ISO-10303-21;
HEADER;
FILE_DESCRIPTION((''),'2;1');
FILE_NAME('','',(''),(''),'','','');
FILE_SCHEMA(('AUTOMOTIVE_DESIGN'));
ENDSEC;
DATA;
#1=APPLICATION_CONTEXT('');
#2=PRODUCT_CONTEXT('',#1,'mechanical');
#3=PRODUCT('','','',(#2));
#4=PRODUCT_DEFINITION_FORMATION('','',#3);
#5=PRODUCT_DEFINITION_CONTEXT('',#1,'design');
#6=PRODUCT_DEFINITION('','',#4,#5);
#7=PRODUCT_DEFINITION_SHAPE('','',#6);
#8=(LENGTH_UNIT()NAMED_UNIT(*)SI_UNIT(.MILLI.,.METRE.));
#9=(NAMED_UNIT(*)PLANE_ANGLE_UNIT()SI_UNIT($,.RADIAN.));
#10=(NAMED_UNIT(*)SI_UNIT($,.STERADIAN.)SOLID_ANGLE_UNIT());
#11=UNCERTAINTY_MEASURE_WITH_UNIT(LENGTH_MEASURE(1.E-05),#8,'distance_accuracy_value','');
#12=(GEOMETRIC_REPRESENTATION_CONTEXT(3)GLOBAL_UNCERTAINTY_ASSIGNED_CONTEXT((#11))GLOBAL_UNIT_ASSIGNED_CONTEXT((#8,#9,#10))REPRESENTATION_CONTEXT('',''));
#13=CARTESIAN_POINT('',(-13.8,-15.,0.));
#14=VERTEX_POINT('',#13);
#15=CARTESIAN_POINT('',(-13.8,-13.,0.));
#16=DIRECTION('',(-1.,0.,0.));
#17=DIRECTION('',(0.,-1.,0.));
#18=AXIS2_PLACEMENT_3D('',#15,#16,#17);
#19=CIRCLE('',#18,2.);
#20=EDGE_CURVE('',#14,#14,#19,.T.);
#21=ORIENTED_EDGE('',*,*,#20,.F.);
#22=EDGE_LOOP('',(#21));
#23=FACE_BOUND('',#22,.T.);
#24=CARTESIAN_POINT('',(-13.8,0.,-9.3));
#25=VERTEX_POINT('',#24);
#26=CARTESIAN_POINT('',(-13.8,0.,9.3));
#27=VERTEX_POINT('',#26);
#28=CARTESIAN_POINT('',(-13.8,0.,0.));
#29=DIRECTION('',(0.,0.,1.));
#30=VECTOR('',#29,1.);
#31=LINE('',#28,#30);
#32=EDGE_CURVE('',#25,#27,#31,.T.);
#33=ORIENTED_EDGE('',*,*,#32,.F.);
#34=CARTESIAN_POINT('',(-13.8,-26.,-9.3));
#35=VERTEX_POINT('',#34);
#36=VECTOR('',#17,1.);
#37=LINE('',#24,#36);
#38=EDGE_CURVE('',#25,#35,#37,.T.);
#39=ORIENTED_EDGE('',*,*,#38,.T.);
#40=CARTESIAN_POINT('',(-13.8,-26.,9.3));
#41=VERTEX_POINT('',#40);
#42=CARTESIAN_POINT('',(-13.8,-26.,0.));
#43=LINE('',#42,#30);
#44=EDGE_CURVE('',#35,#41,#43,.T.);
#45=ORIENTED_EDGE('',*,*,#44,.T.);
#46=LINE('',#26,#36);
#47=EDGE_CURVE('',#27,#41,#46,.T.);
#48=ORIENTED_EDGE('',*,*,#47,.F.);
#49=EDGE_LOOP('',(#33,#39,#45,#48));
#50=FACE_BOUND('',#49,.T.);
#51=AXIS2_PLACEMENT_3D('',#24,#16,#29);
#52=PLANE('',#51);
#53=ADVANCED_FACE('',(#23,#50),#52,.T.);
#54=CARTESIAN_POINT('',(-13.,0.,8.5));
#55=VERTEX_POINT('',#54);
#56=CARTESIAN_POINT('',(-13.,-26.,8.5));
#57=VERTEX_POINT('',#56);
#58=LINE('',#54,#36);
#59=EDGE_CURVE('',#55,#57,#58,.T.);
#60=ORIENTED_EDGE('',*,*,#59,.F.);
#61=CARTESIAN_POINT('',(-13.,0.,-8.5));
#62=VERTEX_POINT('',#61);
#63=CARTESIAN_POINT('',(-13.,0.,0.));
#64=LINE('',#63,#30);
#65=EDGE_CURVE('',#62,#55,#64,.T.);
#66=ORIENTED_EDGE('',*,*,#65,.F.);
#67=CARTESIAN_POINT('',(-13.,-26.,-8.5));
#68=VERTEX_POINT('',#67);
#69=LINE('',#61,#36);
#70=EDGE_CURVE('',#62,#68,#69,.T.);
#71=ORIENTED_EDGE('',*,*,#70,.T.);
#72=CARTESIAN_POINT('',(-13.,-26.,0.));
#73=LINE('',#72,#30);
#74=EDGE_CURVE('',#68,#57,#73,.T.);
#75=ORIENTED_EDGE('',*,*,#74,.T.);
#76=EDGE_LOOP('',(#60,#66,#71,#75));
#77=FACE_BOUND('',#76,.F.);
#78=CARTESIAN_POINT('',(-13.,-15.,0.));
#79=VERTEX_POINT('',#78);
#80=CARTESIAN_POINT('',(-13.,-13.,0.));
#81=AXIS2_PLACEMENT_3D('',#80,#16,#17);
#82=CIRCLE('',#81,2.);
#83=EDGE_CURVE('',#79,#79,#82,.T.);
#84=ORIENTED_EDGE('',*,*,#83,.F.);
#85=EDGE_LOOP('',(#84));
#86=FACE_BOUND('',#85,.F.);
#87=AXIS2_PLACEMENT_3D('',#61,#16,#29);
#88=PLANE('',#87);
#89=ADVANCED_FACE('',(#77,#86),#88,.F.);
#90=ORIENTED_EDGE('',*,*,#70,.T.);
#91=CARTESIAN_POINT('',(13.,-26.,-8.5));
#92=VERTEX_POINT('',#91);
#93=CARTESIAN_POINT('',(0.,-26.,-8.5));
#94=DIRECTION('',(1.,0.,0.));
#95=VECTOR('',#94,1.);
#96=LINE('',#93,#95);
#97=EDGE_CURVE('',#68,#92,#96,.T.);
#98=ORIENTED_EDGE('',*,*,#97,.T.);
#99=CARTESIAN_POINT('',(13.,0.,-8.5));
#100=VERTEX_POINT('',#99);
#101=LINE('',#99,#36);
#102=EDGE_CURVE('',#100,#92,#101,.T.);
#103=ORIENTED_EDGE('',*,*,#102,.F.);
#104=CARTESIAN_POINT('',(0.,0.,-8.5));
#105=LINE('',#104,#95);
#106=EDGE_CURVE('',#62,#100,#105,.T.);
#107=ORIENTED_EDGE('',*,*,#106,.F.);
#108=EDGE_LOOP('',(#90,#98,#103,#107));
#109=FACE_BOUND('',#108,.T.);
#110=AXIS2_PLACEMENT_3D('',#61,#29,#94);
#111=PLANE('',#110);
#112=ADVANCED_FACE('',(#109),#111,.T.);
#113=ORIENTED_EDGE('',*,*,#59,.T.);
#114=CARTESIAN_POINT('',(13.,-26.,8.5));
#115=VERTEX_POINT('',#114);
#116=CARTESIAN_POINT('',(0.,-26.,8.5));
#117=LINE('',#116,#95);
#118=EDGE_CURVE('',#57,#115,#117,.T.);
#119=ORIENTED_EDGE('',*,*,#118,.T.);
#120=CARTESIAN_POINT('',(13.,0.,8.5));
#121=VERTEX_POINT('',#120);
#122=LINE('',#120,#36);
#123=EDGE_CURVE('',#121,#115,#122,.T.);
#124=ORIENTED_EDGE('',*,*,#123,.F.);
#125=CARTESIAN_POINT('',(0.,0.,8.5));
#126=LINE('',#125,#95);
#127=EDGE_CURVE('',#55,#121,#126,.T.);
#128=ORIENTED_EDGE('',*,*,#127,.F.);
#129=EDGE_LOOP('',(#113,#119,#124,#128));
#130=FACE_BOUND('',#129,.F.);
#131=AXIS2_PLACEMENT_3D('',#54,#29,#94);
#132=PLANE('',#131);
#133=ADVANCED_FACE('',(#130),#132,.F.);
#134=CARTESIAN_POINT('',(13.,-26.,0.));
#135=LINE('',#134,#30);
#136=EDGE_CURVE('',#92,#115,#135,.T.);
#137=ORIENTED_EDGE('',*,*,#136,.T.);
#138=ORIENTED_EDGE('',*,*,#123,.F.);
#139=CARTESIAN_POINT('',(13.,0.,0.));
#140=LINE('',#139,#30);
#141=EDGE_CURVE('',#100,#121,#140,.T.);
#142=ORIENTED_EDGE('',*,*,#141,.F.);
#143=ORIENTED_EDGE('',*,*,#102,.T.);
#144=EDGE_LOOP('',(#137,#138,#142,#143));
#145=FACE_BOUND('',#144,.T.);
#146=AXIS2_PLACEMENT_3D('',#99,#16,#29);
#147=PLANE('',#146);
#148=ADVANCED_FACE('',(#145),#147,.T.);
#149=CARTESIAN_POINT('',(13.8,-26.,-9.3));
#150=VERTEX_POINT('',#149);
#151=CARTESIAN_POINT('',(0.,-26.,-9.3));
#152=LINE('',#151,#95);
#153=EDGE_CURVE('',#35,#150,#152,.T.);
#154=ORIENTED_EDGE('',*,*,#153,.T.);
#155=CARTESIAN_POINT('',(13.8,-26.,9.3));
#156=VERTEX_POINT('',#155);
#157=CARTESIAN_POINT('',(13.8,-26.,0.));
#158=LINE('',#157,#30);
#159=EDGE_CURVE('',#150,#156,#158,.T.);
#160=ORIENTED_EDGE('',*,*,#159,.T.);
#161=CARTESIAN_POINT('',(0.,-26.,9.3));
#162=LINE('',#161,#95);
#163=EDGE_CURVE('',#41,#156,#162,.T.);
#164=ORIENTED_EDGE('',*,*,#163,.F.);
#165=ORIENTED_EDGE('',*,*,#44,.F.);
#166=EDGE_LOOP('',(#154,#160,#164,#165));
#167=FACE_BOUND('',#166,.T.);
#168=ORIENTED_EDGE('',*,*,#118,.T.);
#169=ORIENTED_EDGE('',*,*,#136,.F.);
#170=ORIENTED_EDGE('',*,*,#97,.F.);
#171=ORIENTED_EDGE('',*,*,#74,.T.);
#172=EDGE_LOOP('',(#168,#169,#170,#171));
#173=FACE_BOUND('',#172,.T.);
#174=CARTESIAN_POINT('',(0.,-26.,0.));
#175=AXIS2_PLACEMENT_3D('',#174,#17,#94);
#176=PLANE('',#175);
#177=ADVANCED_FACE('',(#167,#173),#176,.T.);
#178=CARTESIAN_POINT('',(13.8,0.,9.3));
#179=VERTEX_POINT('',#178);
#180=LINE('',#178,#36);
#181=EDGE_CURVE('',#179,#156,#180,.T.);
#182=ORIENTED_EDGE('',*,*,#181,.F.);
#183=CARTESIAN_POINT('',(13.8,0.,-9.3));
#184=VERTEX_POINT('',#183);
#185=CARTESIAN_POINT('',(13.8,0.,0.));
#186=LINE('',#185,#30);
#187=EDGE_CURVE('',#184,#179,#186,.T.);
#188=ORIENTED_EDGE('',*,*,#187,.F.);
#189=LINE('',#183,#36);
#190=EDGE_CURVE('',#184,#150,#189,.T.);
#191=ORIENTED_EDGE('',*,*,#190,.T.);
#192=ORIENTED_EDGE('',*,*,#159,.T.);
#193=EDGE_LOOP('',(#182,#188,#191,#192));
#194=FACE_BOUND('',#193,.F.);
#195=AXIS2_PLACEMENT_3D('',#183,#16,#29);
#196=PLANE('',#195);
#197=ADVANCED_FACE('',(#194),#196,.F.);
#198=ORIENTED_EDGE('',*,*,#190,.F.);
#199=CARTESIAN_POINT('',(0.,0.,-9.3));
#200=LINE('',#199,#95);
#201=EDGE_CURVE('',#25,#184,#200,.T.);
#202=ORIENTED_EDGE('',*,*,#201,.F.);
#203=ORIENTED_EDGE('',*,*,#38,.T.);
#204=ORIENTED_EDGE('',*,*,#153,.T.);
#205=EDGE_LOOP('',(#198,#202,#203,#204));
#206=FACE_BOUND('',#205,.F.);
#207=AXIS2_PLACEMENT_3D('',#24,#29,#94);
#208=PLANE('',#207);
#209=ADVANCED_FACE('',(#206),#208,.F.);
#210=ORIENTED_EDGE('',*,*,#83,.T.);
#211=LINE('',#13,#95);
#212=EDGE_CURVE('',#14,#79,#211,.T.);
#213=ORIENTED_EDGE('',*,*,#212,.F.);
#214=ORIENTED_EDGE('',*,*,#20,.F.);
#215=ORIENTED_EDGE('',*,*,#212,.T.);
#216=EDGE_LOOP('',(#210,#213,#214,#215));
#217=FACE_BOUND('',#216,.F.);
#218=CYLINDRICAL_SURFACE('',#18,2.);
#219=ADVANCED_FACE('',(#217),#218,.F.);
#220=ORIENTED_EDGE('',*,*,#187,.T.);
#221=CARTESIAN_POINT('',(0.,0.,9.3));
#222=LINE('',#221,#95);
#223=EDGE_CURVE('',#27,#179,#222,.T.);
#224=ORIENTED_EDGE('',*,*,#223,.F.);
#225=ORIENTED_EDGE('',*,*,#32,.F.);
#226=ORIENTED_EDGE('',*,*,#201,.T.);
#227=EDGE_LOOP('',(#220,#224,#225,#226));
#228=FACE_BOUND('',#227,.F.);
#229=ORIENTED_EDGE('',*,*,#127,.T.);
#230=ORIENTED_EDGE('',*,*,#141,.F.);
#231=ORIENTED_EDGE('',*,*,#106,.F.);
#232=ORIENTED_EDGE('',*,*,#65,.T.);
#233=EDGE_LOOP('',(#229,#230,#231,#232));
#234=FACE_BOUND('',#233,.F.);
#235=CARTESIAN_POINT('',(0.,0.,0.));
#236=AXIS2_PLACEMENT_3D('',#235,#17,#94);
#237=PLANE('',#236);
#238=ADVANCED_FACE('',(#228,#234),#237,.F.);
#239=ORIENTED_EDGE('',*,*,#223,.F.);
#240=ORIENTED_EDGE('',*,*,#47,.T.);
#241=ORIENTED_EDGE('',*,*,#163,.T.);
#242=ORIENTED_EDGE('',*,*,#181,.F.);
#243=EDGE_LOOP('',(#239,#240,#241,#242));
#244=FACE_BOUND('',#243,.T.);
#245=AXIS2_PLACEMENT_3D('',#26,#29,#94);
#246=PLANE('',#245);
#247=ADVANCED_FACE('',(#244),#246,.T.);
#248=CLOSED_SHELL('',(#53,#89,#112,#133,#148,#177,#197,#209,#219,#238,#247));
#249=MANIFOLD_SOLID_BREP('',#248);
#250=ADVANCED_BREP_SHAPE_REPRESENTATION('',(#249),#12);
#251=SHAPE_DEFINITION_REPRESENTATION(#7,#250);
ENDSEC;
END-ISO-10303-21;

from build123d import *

# Parameters (mm, degrees)
F0_W     = 27.6
F0_H     = 18.6
F0_W_2   = 26
F0_H_2   = 17
F1_DEPTH = 26
F2_R     = 2
F3_DEPTH = 3


with BuildPart() as f1:
    # F0 (on Front) → F1 (new body)
    with BuildSketch(Plane.XZ):
        Rectangle(F0_W, F0_H)
        Rectangle(F0_W_2, F0_H_2, mode=Mode.SUBTRACT)
    extrude(amount=F1_DEPTH)

    # F2 (on face) → F3 (cut)
    with BuildSketch(Plane(origin=(-13.8, 0, 0), x_dir=(0, -1, 0), z_dir=(-1, 0, 0))):
        with Locations((13, 0)):
            Circle(F2_R)
    extrude(amount=-F3_DEPTH, mode=Mode.SUBTRACT)


solid = f1.part
